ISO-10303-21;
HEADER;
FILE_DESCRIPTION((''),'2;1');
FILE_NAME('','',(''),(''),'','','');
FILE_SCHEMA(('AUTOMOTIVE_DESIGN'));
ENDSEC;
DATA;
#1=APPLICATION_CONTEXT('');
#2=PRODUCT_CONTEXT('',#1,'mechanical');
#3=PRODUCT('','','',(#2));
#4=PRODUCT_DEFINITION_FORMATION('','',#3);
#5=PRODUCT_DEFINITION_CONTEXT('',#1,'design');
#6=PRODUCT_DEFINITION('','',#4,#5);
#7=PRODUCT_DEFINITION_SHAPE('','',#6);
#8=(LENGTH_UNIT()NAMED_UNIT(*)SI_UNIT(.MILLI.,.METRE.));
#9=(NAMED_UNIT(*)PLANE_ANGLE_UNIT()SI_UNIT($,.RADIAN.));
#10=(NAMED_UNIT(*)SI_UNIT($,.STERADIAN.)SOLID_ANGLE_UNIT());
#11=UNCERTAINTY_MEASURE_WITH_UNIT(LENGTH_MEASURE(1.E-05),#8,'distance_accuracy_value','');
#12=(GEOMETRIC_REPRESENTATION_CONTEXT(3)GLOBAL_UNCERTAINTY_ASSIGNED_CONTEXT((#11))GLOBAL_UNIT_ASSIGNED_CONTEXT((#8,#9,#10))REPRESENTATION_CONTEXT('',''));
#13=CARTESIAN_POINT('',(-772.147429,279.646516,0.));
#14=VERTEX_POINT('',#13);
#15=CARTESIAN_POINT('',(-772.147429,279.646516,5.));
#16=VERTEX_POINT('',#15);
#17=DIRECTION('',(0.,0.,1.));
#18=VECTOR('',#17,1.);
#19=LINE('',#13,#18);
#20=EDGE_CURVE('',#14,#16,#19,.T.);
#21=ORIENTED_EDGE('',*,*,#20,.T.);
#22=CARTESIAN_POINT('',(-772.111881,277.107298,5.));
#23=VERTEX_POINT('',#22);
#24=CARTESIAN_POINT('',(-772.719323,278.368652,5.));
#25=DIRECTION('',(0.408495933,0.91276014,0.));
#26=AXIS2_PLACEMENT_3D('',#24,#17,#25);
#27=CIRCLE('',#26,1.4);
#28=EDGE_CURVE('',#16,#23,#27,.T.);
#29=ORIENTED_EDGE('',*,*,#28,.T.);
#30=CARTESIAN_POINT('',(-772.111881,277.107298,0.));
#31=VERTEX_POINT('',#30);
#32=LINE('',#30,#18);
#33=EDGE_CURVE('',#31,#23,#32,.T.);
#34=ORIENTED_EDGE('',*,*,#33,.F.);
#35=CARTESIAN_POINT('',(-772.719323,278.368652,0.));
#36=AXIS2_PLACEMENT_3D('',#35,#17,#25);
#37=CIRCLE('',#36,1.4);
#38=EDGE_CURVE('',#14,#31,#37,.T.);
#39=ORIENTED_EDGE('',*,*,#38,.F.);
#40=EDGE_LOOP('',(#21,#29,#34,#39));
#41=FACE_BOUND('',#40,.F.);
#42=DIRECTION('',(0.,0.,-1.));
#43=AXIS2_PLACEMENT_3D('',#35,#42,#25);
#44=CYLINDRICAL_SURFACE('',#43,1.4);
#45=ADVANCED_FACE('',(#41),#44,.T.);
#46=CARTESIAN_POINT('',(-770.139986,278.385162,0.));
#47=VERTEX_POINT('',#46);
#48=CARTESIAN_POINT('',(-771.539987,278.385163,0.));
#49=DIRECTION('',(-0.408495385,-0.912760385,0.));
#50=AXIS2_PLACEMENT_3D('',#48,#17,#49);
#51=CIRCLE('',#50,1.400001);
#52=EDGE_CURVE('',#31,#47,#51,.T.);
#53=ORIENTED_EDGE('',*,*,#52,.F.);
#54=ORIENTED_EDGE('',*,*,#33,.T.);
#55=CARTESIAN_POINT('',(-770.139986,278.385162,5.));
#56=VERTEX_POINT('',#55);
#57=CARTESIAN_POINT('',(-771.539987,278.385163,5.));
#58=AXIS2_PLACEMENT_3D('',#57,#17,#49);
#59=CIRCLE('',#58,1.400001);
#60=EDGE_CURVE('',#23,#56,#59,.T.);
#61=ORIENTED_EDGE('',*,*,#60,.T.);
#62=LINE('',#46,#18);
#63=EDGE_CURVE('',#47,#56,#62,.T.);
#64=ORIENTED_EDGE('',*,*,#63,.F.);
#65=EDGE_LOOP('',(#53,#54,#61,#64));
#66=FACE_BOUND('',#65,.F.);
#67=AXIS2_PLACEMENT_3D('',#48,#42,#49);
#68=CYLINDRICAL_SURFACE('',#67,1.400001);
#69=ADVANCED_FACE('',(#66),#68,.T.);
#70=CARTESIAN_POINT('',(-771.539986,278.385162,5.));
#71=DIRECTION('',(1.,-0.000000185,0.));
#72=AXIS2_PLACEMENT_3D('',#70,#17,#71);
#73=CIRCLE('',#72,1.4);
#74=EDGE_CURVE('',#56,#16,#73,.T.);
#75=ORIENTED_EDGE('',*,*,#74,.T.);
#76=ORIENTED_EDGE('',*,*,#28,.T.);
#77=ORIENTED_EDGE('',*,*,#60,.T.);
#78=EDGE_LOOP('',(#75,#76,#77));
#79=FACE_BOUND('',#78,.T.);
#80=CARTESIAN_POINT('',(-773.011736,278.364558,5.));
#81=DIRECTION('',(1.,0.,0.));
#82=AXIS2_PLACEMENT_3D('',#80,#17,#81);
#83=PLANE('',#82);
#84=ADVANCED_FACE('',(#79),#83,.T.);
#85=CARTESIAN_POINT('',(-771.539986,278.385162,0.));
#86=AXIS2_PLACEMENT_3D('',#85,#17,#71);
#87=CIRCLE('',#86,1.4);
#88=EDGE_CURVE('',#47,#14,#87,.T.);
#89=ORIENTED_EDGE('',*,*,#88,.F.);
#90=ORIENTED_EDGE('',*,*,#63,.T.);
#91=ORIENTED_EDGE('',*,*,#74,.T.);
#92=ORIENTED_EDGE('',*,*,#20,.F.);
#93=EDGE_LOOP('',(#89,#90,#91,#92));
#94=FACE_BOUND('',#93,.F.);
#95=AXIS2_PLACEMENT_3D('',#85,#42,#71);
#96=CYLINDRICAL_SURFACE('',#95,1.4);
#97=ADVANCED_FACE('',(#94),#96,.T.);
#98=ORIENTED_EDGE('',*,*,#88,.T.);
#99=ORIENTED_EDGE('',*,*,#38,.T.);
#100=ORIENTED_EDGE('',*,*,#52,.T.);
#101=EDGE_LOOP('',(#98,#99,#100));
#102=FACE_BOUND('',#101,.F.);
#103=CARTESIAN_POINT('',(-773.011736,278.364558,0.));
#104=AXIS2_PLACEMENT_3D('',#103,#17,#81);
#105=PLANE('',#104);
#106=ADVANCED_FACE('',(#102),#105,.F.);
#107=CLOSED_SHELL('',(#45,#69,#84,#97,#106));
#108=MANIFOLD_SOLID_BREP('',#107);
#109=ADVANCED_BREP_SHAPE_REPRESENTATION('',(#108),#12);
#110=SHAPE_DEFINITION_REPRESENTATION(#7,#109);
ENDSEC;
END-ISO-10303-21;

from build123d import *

# Parameters (mm, degrees)
F1_DEPTH = 5


with BuildPart() as f1:
    # F0 (on Top) → F1 (new body)
    with BuildSketch(Plane.XY):
        with BuildLine():
            ThreePointArc((-772.111881, 277.107298), (-772.939849, 278.365565), (-772.147429, 279.646516))
            ThreePointArc((-772.147429, 279.646516), (-774.119186, 278.349054), (-772.111881, 277.107298))
        make_face()
        with BuildLine():
            ThreePointArc((-771.319324, 278.368652), (-771.544451, 279.130015), (-772.147429, 279.646516))
            ThreePointArc((-772.147429, 279.646516), (-772.939849, 278.365565), (-772.111881, 277.107298))
            ThreePointArc((-772.111881, 277.107298), (-771.533908, 277.62381), (-771.319324, 278.368652))
        make_face()
        with BuildLine():
            ThreePointArc((-772.111881, 277.107298), (-770.778623, 277.21029), (-770.139986, 278.385162))
            ThreePointArc((-770.139986, 278.385162), (-770.795144, 279.570578), (-772.147429, 279.646516))
            ThreePointArc((-772.147429, 279.646516), (-771.544451, 279.130015), (-771.319324, 278.368652))
            ThreePointArc((-771.319324, 278.368652), (-771.533908, 277.62381), (-772.111881, 277.107298))
        make_face()
    extrude(amount=F1_DEPTH)


solid = f1.part
